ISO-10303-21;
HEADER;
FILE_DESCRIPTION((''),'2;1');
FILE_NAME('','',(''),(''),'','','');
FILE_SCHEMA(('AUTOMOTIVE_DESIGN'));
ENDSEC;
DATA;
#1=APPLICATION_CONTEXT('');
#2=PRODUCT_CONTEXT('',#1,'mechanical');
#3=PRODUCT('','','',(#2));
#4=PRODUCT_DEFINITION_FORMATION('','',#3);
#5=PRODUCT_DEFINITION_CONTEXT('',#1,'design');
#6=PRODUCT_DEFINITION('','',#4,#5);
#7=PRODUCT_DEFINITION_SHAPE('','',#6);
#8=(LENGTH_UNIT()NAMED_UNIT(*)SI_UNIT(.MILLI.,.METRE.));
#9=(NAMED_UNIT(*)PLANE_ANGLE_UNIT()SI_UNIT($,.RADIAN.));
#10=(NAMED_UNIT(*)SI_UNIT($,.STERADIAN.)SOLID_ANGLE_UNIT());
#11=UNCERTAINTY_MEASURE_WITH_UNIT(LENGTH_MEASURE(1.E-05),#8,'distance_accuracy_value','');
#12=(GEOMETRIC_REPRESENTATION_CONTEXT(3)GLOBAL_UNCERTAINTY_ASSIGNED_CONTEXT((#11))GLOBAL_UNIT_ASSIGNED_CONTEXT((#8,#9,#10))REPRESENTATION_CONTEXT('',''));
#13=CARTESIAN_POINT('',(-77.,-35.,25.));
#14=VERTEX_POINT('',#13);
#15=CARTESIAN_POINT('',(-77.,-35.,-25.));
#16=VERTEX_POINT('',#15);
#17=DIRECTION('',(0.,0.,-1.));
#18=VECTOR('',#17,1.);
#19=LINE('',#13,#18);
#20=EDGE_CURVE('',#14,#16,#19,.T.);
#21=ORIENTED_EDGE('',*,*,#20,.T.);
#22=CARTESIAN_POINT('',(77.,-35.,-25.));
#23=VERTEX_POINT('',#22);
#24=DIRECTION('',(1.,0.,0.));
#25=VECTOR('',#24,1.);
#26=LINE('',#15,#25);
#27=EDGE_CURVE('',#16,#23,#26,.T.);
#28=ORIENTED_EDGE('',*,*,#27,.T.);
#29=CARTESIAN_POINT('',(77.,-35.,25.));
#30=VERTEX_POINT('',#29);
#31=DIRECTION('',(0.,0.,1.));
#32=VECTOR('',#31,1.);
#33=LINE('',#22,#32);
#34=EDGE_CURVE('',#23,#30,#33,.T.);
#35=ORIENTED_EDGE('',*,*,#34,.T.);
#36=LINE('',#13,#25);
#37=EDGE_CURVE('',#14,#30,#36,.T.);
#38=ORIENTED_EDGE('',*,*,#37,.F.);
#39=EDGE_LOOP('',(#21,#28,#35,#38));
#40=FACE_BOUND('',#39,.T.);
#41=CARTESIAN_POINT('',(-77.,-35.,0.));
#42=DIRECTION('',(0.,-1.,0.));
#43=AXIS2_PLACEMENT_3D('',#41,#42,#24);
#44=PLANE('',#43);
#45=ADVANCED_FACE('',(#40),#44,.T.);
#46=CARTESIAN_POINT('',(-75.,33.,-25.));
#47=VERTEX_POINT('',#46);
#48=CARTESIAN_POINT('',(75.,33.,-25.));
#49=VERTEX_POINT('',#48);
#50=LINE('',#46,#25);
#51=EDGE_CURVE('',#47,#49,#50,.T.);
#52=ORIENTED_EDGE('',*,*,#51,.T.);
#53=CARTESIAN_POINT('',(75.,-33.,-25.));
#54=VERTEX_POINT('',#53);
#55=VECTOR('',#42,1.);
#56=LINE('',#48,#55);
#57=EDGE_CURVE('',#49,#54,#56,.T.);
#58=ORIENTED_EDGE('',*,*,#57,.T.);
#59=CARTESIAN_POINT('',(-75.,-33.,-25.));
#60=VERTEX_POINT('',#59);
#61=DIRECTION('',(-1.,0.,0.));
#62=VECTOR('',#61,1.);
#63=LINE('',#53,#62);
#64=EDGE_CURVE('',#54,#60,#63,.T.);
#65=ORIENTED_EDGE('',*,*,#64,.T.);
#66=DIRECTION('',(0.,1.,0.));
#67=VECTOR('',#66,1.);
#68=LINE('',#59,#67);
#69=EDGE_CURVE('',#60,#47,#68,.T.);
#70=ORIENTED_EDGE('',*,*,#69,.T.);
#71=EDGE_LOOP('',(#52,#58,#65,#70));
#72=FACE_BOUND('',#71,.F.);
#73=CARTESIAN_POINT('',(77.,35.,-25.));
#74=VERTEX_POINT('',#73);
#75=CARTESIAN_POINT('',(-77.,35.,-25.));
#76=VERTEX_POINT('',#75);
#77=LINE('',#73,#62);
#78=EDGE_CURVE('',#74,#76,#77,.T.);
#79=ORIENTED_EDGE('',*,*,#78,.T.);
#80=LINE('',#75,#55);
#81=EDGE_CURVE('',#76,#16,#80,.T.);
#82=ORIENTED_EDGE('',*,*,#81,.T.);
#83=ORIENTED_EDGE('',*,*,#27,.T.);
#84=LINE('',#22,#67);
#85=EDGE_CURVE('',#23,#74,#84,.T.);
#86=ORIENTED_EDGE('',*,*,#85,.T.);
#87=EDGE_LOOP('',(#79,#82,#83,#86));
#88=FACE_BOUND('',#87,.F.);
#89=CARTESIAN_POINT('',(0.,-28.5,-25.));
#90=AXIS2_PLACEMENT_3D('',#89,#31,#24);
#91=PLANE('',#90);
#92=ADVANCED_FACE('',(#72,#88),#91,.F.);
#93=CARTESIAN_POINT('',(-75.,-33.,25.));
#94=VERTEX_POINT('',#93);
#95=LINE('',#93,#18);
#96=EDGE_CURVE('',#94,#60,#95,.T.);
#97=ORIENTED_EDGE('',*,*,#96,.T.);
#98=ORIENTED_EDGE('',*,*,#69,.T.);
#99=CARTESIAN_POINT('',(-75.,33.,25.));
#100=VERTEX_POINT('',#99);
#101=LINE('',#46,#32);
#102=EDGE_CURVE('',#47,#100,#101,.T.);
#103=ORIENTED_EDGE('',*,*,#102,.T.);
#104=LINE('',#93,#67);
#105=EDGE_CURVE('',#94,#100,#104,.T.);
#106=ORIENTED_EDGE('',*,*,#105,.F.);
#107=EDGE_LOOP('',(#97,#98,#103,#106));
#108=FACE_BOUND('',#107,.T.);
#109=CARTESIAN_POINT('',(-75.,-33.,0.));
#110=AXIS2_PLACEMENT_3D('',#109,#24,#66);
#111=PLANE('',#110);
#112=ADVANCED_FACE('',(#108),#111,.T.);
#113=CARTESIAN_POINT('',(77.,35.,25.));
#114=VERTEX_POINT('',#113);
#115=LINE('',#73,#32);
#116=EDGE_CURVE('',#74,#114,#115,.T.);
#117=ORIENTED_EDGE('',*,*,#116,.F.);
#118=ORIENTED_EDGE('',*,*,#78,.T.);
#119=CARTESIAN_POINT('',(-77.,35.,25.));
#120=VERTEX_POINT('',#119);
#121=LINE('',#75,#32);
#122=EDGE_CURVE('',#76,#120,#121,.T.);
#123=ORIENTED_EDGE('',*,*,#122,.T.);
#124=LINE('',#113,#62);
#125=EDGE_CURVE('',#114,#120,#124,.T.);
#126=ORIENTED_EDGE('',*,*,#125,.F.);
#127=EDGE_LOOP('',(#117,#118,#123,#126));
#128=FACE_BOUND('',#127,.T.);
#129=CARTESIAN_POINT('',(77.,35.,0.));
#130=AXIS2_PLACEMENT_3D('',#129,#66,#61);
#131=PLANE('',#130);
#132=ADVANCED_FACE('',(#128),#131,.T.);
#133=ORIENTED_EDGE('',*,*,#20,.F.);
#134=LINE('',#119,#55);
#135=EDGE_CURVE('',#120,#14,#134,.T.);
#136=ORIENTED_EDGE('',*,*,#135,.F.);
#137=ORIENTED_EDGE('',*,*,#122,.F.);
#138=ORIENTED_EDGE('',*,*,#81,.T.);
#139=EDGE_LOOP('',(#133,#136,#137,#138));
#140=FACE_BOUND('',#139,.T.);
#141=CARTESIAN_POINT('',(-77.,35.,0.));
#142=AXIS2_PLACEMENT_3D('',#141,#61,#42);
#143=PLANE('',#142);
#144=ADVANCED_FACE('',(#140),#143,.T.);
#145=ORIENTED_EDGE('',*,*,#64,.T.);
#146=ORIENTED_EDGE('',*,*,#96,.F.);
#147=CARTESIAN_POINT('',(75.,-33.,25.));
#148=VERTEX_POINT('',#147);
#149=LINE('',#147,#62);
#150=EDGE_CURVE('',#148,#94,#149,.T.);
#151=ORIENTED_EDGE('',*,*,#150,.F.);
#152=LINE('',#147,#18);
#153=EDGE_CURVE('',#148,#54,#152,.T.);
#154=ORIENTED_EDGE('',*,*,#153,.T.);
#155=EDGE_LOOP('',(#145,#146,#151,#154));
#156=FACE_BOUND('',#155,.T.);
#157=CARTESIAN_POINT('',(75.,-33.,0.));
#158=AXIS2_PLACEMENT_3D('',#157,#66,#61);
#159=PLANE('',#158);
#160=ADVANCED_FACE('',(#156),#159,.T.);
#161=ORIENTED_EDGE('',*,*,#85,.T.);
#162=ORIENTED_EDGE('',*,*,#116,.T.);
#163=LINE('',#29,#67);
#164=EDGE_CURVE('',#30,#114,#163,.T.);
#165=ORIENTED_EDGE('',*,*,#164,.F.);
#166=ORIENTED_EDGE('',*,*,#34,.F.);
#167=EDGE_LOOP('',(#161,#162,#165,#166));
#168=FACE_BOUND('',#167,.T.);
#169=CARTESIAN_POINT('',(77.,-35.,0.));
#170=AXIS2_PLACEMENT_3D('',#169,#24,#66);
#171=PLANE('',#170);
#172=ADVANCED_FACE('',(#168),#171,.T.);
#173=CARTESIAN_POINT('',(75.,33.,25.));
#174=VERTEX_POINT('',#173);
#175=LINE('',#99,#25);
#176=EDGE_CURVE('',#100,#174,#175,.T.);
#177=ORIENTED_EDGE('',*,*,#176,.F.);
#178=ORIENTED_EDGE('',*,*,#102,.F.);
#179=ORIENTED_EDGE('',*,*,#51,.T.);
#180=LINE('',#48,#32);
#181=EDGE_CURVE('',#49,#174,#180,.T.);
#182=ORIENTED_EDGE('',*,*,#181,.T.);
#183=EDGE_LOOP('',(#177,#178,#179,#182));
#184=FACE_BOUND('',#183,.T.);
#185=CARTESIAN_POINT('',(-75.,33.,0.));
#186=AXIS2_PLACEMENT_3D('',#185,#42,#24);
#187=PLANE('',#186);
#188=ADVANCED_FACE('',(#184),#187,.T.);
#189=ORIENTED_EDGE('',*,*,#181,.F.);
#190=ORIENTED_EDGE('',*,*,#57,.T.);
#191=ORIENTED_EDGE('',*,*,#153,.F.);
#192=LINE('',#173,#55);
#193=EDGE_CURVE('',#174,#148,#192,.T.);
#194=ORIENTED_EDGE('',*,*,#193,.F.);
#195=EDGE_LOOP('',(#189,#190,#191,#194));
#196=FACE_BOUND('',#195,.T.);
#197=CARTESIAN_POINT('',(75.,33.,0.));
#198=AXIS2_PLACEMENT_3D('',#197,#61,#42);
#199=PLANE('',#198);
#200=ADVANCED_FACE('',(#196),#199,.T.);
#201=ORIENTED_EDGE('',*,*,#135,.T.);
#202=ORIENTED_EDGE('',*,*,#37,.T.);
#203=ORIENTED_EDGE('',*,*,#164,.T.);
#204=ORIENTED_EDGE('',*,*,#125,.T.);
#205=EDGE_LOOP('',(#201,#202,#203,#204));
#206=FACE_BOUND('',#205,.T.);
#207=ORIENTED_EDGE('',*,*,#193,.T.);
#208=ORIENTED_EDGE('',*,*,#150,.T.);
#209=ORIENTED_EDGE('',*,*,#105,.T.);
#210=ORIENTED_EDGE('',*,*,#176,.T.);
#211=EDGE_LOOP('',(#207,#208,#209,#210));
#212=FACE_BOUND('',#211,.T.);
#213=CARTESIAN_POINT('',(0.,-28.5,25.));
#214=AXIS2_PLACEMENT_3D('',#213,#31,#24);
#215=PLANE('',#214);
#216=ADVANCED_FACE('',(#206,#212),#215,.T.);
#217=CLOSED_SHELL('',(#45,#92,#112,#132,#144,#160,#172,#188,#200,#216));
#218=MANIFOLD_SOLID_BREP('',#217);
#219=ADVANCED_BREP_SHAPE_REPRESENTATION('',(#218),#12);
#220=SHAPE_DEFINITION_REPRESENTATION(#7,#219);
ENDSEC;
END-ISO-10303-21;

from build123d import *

# Parameters (mm, degrees)
F1_DEPTH = 25


with BuildPart() as f1:
    # F0 (on Top) → F1 (new body, symmetric)
    with BuildSketch(Plane.XY):
        Polygon((-75, -33), (-75, 0), (-77, 0), (-77, -35), (77, -35), (77, 0), (75, 0), (75, -33), align=None)
        Polygon((-77, 0), (-75, 0), (-75, 33), (75, 33), (75, 0), (77, 0), (77, 35), (-77, 35), align=None)
    extrude(amount=F1_DEPTH, both=True)


solid = f1.part
